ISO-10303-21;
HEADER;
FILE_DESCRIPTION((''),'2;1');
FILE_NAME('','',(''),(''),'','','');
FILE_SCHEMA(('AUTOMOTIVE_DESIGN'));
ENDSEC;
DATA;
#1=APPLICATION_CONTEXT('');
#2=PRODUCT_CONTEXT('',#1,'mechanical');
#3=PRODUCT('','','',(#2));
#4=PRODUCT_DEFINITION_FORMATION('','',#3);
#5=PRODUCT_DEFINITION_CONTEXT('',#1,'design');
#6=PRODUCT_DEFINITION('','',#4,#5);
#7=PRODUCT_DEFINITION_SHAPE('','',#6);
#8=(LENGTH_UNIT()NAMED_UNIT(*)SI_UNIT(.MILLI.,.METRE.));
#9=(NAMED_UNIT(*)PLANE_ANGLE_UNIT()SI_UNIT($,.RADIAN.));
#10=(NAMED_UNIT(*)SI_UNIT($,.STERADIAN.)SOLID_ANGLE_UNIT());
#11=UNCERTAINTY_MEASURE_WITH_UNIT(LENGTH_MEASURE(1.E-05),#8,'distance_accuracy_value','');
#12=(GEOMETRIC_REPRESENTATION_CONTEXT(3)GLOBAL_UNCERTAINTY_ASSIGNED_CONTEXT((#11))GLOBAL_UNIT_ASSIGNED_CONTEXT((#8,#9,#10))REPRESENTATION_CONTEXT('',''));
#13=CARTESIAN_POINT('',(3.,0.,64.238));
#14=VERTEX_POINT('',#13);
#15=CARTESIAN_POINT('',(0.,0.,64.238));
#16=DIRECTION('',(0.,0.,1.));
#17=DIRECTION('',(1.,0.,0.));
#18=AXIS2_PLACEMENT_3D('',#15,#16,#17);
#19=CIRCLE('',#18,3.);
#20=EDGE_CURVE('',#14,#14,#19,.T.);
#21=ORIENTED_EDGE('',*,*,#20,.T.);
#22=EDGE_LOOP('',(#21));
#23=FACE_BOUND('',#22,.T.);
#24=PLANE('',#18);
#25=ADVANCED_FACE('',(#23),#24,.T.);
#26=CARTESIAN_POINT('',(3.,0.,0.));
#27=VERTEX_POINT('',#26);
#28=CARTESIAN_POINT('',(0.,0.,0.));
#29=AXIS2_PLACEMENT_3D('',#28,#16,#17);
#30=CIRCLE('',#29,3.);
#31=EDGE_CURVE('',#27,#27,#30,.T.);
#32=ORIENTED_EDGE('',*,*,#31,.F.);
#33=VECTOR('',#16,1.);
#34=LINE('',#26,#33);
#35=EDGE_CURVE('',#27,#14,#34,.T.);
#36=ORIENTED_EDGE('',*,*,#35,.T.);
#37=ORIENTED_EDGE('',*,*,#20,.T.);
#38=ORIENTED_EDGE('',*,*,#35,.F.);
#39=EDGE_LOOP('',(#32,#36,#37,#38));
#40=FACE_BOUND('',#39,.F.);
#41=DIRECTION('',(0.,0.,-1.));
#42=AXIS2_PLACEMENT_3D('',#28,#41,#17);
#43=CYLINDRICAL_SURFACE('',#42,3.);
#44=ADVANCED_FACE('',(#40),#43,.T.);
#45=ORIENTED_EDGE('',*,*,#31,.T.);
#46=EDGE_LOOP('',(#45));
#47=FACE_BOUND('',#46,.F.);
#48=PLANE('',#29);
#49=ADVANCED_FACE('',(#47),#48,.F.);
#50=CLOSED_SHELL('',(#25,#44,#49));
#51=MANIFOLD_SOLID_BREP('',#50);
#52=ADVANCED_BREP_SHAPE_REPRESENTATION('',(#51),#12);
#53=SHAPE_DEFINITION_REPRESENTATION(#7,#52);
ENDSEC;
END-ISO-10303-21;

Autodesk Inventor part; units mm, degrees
ref_plane "YZ Plane" through (0, 0, 0) normal (1, 0, 0) x (0, 1, 0)
ref_plane "XZ Plane" through (0, 0, 0) normal (0, 1, 0) x (-1, 0, 0)
ref_plane "XY Plane" through (0, 0, 0) normal (0, 0, 1) x (1, 0, 0)
sketch "Sketch1" plane through (0, 0, 0) normal (0, 0, 1) x (1, 0, 0)
  circle A0 centre (0, 0) radius 3 projected
  dimension "d0" = 64.238
extrude "Extrusion1" add sketch "Sketch1" along normal blind 64.238
